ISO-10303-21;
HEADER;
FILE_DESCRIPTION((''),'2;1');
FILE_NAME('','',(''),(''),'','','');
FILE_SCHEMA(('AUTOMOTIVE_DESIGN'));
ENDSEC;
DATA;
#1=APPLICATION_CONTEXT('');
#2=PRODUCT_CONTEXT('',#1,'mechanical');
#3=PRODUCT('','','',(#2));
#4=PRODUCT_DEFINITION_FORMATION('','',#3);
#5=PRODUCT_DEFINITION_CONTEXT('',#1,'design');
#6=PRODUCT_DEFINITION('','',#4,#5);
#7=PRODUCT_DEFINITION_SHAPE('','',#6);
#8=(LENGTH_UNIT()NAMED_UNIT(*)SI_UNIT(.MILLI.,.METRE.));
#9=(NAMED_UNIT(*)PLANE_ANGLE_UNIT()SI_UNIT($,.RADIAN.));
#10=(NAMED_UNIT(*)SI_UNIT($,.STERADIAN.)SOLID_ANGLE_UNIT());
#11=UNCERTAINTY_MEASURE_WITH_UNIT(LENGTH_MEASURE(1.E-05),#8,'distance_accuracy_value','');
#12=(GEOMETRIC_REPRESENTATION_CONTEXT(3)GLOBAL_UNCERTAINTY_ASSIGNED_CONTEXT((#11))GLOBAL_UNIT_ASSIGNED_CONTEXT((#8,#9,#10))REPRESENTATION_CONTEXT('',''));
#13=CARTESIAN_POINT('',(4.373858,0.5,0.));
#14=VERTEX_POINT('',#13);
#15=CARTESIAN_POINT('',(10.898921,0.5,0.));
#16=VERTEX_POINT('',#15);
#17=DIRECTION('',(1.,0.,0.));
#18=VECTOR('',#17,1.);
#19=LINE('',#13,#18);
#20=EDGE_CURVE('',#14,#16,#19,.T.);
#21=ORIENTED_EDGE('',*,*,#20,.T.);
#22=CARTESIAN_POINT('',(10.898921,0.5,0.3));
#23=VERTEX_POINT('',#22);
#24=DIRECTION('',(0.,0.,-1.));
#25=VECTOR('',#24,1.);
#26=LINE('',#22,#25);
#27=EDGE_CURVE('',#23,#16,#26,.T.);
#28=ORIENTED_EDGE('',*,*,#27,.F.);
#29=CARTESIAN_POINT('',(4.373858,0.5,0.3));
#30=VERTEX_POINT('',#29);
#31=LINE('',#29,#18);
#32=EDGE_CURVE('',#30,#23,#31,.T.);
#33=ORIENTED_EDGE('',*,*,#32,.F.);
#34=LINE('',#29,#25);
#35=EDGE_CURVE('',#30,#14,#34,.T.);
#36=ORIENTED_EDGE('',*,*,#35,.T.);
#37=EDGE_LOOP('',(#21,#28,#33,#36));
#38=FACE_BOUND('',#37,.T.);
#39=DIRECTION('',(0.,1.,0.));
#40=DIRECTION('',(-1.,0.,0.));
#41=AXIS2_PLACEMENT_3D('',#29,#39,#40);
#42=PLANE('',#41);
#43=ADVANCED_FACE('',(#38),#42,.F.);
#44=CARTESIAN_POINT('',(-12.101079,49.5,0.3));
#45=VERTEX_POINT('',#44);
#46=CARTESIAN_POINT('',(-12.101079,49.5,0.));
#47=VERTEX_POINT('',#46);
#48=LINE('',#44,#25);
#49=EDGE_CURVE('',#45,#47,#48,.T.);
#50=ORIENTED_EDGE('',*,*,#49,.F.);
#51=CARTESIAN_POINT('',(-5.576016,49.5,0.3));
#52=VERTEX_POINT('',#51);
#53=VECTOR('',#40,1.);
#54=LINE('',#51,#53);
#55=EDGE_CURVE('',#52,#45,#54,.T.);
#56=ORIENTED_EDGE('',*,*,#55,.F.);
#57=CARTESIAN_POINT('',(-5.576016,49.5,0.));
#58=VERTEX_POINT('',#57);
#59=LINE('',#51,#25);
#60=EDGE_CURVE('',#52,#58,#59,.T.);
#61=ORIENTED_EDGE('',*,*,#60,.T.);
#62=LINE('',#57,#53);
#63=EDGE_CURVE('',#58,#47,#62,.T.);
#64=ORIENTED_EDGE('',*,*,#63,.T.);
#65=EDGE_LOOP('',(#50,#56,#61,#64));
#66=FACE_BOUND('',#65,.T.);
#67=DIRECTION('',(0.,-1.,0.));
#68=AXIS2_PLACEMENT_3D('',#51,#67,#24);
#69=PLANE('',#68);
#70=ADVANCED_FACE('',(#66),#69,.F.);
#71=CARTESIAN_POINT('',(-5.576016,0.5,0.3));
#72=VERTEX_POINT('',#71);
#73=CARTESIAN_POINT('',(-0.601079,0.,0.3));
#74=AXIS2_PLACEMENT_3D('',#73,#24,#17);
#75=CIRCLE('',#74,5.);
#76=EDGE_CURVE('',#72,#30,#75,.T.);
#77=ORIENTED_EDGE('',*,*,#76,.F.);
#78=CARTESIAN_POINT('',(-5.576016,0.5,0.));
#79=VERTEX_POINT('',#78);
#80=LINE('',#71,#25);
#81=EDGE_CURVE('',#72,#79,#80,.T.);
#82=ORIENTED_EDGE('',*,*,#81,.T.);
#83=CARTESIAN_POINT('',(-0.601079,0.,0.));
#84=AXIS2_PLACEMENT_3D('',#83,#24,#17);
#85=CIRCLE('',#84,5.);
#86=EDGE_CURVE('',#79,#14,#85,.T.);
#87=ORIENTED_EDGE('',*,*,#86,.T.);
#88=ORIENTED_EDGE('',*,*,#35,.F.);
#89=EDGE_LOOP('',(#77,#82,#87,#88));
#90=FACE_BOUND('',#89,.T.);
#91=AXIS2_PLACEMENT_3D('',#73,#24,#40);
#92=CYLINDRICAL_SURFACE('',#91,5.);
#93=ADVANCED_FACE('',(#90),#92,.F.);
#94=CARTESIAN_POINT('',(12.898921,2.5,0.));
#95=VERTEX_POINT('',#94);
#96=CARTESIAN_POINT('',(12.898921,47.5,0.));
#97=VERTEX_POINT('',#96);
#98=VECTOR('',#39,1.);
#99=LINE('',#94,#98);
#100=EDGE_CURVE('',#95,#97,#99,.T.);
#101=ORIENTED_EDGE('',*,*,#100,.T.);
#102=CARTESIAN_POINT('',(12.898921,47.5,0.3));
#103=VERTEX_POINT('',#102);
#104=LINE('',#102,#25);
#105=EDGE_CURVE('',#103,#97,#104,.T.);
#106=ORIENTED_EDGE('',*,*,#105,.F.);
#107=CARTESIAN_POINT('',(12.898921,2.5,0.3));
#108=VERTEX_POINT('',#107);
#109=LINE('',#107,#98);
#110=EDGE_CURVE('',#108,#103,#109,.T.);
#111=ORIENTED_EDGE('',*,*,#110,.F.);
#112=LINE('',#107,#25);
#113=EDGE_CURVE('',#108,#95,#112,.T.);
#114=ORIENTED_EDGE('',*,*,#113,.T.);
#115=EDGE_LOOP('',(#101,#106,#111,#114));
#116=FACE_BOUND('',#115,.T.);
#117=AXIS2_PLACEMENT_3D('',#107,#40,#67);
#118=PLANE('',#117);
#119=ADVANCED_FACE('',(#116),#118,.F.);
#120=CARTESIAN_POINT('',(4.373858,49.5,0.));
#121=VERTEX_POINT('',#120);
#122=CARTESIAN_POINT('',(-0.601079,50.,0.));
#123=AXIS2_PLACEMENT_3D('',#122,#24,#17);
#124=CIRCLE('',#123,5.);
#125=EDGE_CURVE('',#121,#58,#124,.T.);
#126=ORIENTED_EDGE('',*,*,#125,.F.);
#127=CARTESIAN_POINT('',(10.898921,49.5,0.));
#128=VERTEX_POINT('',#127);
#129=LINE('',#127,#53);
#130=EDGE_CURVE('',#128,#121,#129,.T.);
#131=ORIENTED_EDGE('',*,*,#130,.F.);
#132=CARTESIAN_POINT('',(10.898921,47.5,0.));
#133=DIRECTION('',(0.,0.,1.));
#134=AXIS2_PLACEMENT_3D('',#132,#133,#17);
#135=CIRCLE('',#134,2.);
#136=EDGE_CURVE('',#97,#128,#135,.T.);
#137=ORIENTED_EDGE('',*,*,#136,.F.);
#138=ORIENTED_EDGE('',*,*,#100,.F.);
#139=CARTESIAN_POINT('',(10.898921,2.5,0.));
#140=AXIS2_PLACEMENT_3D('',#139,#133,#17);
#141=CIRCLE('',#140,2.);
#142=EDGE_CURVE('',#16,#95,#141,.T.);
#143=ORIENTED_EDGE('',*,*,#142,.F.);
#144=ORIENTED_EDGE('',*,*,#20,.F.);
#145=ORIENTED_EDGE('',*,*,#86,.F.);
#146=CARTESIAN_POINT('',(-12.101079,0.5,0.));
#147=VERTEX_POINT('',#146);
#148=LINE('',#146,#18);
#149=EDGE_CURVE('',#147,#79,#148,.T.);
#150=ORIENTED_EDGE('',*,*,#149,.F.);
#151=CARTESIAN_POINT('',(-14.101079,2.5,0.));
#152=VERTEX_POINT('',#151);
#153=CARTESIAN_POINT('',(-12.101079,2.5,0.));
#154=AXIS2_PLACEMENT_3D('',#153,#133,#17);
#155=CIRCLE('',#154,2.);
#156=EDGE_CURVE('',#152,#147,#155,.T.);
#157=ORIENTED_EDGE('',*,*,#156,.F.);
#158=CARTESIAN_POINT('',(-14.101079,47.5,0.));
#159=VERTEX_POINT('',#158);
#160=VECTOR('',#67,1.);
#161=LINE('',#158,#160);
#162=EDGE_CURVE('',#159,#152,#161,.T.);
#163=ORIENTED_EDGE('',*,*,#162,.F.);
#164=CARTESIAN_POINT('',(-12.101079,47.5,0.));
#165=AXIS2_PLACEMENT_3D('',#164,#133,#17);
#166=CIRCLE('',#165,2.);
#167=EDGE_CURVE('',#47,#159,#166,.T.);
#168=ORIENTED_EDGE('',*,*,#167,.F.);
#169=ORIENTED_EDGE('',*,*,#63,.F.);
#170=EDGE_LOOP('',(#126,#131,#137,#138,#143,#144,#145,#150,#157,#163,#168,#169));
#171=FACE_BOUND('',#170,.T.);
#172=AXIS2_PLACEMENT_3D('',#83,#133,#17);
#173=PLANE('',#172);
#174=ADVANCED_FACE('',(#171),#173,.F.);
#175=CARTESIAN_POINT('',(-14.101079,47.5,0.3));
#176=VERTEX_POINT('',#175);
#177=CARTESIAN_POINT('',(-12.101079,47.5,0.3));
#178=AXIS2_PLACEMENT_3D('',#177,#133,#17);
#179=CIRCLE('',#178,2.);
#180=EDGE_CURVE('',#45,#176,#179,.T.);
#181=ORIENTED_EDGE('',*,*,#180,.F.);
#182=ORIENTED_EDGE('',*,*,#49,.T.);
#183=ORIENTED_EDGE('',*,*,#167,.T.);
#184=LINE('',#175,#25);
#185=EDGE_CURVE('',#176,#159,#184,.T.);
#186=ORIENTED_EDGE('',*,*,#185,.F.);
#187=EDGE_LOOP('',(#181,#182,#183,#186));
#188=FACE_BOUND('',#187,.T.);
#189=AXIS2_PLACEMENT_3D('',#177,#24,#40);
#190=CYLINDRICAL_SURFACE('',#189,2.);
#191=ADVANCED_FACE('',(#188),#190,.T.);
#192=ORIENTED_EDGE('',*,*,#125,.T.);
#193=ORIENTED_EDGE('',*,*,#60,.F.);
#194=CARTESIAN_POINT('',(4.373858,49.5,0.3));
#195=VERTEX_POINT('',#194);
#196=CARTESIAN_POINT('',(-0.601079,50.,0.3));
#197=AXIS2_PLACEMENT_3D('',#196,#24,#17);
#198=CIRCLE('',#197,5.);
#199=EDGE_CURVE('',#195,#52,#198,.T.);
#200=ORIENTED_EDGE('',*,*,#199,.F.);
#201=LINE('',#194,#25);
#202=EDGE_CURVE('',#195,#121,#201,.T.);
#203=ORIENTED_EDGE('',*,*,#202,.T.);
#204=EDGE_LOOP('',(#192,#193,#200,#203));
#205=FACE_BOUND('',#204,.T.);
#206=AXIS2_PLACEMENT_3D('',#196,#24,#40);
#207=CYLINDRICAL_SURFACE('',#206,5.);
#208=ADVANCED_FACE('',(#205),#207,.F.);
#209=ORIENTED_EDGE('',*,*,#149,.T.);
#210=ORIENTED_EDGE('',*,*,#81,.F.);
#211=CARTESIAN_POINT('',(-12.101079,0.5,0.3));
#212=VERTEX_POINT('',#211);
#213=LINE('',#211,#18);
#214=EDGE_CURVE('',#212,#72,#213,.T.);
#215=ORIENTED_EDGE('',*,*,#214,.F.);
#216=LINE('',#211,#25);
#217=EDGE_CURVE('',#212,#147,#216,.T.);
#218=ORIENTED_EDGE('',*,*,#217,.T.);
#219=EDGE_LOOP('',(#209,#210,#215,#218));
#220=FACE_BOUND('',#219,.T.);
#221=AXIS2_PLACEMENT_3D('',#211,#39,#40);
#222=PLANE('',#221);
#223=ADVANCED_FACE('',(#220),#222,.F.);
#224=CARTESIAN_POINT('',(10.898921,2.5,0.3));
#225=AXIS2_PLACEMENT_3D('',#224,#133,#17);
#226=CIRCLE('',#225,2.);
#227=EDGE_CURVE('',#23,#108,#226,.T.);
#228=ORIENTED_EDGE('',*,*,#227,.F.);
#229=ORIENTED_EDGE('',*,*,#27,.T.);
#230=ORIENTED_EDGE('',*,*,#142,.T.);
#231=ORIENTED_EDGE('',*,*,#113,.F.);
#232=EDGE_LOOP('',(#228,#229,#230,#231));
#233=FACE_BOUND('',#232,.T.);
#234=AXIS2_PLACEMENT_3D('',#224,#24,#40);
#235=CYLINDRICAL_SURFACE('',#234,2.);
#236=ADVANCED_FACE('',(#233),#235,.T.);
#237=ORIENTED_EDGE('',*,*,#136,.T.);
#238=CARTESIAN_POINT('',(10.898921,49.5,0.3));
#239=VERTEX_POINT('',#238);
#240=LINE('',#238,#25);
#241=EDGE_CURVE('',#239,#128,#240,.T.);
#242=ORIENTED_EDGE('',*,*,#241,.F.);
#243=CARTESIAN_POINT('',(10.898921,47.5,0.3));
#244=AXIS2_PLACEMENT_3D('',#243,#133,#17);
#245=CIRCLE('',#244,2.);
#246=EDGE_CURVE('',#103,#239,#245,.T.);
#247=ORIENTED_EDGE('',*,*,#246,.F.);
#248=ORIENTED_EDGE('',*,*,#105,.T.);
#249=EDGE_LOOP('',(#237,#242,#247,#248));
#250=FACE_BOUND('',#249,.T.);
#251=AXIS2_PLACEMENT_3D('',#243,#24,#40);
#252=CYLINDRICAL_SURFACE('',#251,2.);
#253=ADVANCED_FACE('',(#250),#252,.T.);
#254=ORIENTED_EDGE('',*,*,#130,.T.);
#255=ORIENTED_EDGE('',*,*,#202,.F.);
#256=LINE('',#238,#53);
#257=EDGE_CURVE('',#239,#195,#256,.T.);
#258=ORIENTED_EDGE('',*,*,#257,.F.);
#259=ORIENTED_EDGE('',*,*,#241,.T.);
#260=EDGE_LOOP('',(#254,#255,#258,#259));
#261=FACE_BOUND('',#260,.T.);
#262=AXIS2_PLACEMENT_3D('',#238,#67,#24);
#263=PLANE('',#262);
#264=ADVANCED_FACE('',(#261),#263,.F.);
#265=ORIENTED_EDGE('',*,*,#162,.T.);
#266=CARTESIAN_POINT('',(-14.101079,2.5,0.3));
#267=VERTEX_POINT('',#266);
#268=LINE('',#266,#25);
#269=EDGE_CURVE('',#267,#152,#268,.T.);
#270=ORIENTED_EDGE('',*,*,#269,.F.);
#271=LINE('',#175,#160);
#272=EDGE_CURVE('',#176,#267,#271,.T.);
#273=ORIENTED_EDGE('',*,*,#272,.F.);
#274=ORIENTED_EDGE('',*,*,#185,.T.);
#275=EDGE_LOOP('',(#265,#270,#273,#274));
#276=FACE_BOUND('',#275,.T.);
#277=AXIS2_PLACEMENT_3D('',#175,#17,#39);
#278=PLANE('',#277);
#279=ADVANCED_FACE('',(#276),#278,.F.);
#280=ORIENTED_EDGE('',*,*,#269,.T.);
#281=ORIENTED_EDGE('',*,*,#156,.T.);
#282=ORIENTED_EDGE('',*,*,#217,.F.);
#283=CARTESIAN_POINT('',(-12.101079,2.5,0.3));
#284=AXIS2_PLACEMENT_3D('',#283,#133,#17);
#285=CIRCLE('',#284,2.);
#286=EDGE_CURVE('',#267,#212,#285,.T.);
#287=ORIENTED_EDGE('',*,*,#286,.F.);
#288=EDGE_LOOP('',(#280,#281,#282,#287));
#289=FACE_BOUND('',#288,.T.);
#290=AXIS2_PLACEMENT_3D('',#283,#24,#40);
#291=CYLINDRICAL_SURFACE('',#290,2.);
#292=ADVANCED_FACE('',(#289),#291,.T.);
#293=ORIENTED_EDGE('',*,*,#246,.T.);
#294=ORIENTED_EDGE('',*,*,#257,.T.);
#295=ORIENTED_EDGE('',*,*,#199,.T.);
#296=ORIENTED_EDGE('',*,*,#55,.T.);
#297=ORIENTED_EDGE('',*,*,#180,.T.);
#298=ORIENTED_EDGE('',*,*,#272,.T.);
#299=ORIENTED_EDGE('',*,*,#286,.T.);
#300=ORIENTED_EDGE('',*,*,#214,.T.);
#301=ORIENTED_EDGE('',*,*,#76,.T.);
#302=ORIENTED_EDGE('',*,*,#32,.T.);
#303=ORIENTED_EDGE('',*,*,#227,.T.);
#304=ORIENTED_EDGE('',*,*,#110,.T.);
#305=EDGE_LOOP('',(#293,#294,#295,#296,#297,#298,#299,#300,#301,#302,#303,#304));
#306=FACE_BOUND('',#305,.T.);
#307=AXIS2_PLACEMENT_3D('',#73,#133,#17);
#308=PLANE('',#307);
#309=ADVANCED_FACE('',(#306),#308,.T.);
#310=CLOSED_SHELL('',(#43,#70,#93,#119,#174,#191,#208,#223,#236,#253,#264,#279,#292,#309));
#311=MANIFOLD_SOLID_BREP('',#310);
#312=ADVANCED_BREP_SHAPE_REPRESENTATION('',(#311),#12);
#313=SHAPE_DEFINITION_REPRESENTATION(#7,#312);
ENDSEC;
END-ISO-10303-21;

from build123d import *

# Parameters (mm, degrees)
EXTRUDE_1_DEPTH = 0.3


with BuildPart() as part:
    # Эскиз1 → Бобышка-Вытянуть1 (new body)
    with BuildSketch(Plane(origin=(0, 0, 0), x_dir=(-1, 0, 0), z_dir=(0, 0, 1))):
        with BuildLine():
            Line((-4.373858381, -0.5), (-10.898921195, -0.5))
            ThreePointArc((-10.898921195, -0.5), (-12.313134757, -1.085786438), (-12.898921195, -2.5))
            Line((-12.898921195, -2.5), (-12.898921195, -47.5))
            ThreePointArc((-12.898921195, -47.5), (-12.313134757, -48.914213562), (-10.898921195, -49.5))
            Line((-10.898921195, -49.5), (-4.373858381, -49.5))
            ThreePointArc((-4.373858381, -49.5), (0.601078805, -45), (5.57601599, -49.5))
            Line((5.57601599, -49.5), (12.101078805, -49.5))
            ThreePointArc((12.101078805, -49.5), (13.515292367, -48.914213562), (14.101078805, -47.5))
            Line((14.101078805, -47.5), (14.101078805, -2.5))
            ThreePointArc((14.101078805, -2.5), (13.515292367, -1.085786438), (12.101078805, -0.5))
            Line((12.101078805, -0.5), (5.57601599, -0.5))
            ThreePointArc((5.57601599, -0.5), (0.601078805, -5), (-4.373858381, -0.5))
        make_face()
    extrude(amount=EXTRUDE_1_DEPTH)


solid = part.part
